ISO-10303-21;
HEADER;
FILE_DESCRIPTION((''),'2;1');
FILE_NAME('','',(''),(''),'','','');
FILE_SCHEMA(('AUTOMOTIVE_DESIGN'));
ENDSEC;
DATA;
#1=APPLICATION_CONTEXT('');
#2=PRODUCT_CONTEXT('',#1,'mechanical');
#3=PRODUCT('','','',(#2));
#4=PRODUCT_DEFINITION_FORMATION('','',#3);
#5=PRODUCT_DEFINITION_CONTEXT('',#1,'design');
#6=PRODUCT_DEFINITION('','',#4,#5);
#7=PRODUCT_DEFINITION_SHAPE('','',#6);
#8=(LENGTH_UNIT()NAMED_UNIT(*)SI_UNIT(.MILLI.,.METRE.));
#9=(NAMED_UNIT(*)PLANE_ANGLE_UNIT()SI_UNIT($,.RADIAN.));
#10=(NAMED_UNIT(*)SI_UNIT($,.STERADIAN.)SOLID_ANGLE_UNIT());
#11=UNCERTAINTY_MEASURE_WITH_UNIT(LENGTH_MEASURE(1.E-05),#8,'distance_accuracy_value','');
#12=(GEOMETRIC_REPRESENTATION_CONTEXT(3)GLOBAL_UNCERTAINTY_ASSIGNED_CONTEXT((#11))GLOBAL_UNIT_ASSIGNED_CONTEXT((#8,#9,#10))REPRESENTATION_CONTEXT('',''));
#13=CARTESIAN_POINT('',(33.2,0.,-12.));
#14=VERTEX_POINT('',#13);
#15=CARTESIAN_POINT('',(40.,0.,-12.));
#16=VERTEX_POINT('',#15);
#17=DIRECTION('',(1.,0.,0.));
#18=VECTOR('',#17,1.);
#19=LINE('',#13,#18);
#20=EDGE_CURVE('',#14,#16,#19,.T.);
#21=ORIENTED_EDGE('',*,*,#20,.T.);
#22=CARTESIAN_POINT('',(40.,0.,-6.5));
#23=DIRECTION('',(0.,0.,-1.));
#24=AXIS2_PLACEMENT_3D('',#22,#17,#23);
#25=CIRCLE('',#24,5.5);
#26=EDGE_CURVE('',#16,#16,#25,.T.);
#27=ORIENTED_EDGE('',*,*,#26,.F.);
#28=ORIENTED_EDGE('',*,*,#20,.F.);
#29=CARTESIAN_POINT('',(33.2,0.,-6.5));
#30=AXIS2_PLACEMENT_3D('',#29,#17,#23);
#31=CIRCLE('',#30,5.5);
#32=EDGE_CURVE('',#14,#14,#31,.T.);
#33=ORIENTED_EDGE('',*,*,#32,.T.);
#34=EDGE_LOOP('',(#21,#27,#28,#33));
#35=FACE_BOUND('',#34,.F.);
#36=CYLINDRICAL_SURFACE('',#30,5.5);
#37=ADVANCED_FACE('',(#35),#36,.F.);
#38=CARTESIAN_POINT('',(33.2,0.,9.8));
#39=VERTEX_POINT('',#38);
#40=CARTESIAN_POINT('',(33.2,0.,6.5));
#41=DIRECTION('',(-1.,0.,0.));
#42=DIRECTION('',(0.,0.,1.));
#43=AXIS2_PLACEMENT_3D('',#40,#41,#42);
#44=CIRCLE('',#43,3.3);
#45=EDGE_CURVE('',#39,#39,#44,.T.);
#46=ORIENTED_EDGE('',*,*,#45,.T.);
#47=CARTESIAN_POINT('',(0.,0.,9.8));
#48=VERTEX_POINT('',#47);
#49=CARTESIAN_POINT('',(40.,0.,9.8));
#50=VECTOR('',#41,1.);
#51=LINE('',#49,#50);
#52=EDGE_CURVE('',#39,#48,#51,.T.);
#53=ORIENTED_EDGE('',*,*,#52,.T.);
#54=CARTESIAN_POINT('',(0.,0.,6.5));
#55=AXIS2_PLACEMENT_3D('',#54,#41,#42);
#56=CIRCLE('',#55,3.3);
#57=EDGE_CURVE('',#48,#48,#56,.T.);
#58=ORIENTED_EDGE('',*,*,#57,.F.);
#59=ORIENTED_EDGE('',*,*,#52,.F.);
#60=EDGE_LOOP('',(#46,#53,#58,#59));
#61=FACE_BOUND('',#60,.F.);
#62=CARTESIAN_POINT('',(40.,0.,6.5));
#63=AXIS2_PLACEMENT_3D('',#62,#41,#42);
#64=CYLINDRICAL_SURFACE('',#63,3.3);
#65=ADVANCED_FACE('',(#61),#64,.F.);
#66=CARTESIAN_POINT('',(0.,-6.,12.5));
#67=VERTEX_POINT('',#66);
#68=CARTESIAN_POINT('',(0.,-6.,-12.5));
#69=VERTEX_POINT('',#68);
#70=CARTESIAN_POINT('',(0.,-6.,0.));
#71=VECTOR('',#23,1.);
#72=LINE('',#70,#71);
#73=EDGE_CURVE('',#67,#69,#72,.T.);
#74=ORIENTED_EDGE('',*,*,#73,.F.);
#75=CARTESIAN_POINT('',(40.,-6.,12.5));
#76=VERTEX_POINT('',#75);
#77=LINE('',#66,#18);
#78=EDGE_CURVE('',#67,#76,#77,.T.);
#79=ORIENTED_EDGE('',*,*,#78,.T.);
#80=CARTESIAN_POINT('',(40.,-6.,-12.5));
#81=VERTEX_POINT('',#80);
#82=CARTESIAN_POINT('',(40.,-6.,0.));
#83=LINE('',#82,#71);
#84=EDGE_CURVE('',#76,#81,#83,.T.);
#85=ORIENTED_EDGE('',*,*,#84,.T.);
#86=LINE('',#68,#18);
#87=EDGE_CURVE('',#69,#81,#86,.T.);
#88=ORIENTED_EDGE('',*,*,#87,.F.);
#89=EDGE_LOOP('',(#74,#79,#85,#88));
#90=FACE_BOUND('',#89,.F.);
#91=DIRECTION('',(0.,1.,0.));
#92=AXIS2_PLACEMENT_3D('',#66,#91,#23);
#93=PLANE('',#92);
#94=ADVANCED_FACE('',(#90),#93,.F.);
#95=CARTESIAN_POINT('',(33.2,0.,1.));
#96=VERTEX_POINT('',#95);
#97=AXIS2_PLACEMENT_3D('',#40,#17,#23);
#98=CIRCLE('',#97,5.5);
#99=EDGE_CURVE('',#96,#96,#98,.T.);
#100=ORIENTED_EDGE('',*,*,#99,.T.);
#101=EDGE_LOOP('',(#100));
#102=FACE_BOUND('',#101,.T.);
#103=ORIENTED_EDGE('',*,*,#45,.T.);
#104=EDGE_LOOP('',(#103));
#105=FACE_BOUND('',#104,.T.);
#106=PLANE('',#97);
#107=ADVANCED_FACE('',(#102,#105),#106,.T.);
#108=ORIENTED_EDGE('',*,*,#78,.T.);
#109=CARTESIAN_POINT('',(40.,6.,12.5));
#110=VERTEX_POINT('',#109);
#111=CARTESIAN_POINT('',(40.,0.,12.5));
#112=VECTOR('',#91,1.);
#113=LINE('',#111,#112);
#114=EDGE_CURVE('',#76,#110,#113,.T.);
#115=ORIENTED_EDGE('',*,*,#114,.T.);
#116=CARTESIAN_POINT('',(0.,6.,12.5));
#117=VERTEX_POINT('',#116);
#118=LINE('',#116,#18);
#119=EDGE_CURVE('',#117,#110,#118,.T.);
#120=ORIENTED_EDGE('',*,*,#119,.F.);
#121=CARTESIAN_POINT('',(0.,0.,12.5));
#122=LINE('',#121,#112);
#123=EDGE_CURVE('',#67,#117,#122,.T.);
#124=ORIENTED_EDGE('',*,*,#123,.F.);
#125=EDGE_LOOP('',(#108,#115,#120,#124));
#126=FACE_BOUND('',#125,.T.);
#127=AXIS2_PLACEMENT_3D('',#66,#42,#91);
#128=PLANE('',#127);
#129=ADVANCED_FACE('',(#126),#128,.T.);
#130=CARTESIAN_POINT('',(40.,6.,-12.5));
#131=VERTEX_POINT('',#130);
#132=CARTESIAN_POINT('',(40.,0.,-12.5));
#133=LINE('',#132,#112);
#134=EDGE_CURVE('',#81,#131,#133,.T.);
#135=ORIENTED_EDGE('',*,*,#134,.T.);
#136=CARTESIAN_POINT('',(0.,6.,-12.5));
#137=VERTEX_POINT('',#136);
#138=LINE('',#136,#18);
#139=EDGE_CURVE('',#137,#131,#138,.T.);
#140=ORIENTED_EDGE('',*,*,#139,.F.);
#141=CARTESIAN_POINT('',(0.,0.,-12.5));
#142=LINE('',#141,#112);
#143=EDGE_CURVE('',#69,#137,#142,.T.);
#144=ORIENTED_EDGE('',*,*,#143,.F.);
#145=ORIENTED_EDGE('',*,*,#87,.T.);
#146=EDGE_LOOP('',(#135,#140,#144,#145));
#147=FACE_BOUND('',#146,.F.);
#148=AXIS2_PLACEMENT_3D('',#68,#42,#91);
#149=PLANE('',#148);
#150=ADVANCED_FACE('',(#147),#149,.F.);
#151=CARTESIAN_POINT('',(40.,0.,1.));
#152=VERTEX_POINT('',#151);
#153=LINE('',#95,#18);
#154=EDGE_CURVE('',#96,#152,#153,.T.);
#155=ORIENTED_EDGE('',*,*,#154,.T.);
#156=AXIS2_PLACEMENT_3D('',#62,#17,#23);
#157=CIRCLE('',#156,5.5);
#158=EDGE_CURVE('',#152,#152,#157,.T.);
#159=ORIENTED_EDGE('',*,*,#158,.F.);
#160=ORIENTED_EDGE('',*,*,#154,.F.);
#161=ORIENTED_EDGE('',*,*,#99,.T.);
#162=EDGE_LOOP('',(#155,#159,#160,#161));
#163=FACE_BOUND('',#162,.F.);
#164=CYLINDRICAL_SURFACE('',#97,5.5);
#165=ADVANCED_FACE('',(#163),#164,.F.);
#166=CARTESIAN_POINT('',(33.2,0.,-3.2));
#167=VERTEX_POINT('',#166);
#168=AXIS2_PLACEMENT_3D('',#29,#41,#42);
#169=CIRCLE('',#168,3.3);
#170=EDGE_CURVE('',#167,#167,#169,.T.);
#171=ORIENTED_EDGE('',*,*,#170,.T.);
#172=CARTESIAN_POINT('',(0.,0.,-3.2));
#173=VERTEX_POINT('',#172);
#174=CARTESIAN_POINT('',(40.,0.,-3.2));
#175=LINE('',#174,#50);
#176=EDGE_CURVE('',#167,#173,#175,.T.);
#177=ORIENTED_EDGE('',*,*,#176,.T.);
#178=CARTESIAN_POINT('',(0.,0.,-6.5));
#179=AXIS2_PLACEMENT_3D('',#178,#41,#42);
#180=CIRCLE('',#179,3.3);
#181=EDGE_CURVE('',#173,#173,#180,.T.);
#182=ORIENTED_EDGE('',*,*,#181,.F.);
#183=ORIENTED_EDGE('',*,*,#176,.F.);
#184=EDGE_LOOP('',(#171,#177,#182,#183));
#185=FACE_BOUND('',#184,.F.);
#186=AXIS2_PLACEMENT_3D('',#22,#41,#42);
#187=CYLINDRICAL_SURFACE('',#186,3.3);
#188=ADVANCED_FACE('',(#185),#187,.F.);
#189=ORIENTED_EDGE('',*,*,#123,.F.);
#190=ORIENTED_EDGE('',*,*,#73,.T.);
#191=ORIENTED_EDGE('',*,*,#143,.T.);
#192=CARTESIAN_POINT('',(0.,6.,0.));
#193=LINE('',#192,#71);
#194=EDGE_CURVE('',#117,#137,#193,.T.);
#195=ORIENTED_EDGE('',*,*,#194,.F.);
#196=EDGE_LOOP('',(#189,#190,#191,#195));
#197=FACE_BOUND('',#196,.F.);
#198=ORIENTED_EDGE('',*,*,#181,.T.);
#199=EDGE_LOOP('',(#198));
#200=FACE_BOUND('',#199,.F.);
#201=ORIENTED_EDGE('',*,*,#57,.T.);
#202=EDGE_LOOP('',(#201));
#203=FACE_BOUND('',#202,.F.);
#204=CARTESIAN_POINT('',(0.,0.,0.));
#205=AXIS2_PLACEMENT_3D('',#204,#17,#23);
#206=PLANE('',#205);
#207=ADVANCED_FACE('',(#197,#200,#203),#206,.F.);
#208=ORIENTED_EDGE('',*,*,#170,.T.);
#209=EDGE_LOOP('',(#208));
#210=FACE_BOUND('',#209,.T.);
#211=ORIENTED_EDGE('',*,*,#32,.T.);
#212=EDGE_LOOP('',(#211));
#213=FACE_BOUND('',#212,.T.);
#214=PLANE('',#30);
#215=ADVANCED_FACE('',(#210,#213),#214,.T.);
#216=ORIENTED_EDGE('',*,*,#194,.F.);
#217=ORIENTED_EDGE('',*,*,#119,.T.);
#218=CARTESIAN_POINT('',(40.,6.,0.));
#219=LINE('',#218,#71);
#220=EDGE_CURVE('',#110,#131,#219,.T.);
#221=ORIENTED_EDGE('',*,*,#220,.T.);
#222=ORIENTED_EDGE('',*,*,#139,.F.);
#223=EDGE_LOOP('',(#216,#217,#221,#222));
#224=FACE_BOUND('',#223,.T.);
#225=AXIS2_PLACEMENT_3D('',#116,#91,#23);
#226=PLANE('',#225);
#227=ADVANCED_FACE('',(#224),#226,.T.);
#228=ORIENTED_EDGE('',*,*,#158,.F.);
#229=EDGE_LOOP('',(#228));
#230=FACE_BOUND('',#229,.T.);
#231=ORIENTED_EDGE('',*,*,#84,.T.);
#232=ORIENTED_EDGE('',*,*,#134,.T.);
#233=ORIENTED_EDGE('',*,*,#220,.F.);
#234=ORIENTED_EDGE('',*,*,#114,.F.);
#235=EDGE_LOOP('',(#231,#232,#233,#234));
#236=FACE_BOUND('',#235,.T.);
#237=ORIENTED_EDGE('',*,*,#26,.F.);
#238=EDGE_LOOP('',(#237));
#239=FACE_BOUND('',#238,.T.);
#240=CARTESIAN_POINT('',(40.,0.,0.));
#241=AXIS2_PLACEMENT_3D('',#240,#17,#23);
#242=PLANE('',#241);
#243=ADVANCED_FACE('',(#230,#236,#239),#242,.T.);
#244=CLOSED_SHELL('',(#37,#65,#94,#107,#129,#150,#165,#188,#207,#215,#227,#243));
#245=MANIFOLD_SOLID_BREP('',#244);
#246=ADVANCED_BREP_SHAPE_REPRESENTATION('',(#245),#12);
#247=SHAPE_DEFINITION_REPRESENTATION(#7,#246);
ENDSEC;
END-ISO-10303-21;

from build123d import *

# Parameters (mm, degrees)
SKETCH_1_W                = 25
SKETCH_1_H                = 12
EXTRUDE_1_DEPTH           = 40
HOLE_WIZARD_1_D           = 6.6
HOLE_WIZARD_1_CBORE_D     = 11
HOLE_WIZARD_1_CBORE_DEPTH = 6.8


with BuildPart() as part:
    # 草图1 → 凸台-拉伸1 (new body)
    with BuildSketch(Plane(origin=(0, 0, 0), x_dir=(0, 0, -1), z_dir=(1, 0, 0))):
        Rectangle(SKETCH_1_W, SKETCH_1_H)
    extrude(amount=EXTRUDE_1_DEPTH)

    # 打孔尺寸根据内六角圆柱头螺钉的类型1 (through all)
    with Locations(Plane(origin=(40, 0, 0), x_dir=(0, 0, -1), z_dir=(1, 0, 0))):
        with Locations((6.5, 0), (-6.5, 0)):
            CounterBoreHole(HOLE_WIZARD_1_D / 2, HOLE_WIZARD_1_CBORE_D / 2, HOLE_WIZARD_1_CBORE_DEPTH)


solid = part.part
